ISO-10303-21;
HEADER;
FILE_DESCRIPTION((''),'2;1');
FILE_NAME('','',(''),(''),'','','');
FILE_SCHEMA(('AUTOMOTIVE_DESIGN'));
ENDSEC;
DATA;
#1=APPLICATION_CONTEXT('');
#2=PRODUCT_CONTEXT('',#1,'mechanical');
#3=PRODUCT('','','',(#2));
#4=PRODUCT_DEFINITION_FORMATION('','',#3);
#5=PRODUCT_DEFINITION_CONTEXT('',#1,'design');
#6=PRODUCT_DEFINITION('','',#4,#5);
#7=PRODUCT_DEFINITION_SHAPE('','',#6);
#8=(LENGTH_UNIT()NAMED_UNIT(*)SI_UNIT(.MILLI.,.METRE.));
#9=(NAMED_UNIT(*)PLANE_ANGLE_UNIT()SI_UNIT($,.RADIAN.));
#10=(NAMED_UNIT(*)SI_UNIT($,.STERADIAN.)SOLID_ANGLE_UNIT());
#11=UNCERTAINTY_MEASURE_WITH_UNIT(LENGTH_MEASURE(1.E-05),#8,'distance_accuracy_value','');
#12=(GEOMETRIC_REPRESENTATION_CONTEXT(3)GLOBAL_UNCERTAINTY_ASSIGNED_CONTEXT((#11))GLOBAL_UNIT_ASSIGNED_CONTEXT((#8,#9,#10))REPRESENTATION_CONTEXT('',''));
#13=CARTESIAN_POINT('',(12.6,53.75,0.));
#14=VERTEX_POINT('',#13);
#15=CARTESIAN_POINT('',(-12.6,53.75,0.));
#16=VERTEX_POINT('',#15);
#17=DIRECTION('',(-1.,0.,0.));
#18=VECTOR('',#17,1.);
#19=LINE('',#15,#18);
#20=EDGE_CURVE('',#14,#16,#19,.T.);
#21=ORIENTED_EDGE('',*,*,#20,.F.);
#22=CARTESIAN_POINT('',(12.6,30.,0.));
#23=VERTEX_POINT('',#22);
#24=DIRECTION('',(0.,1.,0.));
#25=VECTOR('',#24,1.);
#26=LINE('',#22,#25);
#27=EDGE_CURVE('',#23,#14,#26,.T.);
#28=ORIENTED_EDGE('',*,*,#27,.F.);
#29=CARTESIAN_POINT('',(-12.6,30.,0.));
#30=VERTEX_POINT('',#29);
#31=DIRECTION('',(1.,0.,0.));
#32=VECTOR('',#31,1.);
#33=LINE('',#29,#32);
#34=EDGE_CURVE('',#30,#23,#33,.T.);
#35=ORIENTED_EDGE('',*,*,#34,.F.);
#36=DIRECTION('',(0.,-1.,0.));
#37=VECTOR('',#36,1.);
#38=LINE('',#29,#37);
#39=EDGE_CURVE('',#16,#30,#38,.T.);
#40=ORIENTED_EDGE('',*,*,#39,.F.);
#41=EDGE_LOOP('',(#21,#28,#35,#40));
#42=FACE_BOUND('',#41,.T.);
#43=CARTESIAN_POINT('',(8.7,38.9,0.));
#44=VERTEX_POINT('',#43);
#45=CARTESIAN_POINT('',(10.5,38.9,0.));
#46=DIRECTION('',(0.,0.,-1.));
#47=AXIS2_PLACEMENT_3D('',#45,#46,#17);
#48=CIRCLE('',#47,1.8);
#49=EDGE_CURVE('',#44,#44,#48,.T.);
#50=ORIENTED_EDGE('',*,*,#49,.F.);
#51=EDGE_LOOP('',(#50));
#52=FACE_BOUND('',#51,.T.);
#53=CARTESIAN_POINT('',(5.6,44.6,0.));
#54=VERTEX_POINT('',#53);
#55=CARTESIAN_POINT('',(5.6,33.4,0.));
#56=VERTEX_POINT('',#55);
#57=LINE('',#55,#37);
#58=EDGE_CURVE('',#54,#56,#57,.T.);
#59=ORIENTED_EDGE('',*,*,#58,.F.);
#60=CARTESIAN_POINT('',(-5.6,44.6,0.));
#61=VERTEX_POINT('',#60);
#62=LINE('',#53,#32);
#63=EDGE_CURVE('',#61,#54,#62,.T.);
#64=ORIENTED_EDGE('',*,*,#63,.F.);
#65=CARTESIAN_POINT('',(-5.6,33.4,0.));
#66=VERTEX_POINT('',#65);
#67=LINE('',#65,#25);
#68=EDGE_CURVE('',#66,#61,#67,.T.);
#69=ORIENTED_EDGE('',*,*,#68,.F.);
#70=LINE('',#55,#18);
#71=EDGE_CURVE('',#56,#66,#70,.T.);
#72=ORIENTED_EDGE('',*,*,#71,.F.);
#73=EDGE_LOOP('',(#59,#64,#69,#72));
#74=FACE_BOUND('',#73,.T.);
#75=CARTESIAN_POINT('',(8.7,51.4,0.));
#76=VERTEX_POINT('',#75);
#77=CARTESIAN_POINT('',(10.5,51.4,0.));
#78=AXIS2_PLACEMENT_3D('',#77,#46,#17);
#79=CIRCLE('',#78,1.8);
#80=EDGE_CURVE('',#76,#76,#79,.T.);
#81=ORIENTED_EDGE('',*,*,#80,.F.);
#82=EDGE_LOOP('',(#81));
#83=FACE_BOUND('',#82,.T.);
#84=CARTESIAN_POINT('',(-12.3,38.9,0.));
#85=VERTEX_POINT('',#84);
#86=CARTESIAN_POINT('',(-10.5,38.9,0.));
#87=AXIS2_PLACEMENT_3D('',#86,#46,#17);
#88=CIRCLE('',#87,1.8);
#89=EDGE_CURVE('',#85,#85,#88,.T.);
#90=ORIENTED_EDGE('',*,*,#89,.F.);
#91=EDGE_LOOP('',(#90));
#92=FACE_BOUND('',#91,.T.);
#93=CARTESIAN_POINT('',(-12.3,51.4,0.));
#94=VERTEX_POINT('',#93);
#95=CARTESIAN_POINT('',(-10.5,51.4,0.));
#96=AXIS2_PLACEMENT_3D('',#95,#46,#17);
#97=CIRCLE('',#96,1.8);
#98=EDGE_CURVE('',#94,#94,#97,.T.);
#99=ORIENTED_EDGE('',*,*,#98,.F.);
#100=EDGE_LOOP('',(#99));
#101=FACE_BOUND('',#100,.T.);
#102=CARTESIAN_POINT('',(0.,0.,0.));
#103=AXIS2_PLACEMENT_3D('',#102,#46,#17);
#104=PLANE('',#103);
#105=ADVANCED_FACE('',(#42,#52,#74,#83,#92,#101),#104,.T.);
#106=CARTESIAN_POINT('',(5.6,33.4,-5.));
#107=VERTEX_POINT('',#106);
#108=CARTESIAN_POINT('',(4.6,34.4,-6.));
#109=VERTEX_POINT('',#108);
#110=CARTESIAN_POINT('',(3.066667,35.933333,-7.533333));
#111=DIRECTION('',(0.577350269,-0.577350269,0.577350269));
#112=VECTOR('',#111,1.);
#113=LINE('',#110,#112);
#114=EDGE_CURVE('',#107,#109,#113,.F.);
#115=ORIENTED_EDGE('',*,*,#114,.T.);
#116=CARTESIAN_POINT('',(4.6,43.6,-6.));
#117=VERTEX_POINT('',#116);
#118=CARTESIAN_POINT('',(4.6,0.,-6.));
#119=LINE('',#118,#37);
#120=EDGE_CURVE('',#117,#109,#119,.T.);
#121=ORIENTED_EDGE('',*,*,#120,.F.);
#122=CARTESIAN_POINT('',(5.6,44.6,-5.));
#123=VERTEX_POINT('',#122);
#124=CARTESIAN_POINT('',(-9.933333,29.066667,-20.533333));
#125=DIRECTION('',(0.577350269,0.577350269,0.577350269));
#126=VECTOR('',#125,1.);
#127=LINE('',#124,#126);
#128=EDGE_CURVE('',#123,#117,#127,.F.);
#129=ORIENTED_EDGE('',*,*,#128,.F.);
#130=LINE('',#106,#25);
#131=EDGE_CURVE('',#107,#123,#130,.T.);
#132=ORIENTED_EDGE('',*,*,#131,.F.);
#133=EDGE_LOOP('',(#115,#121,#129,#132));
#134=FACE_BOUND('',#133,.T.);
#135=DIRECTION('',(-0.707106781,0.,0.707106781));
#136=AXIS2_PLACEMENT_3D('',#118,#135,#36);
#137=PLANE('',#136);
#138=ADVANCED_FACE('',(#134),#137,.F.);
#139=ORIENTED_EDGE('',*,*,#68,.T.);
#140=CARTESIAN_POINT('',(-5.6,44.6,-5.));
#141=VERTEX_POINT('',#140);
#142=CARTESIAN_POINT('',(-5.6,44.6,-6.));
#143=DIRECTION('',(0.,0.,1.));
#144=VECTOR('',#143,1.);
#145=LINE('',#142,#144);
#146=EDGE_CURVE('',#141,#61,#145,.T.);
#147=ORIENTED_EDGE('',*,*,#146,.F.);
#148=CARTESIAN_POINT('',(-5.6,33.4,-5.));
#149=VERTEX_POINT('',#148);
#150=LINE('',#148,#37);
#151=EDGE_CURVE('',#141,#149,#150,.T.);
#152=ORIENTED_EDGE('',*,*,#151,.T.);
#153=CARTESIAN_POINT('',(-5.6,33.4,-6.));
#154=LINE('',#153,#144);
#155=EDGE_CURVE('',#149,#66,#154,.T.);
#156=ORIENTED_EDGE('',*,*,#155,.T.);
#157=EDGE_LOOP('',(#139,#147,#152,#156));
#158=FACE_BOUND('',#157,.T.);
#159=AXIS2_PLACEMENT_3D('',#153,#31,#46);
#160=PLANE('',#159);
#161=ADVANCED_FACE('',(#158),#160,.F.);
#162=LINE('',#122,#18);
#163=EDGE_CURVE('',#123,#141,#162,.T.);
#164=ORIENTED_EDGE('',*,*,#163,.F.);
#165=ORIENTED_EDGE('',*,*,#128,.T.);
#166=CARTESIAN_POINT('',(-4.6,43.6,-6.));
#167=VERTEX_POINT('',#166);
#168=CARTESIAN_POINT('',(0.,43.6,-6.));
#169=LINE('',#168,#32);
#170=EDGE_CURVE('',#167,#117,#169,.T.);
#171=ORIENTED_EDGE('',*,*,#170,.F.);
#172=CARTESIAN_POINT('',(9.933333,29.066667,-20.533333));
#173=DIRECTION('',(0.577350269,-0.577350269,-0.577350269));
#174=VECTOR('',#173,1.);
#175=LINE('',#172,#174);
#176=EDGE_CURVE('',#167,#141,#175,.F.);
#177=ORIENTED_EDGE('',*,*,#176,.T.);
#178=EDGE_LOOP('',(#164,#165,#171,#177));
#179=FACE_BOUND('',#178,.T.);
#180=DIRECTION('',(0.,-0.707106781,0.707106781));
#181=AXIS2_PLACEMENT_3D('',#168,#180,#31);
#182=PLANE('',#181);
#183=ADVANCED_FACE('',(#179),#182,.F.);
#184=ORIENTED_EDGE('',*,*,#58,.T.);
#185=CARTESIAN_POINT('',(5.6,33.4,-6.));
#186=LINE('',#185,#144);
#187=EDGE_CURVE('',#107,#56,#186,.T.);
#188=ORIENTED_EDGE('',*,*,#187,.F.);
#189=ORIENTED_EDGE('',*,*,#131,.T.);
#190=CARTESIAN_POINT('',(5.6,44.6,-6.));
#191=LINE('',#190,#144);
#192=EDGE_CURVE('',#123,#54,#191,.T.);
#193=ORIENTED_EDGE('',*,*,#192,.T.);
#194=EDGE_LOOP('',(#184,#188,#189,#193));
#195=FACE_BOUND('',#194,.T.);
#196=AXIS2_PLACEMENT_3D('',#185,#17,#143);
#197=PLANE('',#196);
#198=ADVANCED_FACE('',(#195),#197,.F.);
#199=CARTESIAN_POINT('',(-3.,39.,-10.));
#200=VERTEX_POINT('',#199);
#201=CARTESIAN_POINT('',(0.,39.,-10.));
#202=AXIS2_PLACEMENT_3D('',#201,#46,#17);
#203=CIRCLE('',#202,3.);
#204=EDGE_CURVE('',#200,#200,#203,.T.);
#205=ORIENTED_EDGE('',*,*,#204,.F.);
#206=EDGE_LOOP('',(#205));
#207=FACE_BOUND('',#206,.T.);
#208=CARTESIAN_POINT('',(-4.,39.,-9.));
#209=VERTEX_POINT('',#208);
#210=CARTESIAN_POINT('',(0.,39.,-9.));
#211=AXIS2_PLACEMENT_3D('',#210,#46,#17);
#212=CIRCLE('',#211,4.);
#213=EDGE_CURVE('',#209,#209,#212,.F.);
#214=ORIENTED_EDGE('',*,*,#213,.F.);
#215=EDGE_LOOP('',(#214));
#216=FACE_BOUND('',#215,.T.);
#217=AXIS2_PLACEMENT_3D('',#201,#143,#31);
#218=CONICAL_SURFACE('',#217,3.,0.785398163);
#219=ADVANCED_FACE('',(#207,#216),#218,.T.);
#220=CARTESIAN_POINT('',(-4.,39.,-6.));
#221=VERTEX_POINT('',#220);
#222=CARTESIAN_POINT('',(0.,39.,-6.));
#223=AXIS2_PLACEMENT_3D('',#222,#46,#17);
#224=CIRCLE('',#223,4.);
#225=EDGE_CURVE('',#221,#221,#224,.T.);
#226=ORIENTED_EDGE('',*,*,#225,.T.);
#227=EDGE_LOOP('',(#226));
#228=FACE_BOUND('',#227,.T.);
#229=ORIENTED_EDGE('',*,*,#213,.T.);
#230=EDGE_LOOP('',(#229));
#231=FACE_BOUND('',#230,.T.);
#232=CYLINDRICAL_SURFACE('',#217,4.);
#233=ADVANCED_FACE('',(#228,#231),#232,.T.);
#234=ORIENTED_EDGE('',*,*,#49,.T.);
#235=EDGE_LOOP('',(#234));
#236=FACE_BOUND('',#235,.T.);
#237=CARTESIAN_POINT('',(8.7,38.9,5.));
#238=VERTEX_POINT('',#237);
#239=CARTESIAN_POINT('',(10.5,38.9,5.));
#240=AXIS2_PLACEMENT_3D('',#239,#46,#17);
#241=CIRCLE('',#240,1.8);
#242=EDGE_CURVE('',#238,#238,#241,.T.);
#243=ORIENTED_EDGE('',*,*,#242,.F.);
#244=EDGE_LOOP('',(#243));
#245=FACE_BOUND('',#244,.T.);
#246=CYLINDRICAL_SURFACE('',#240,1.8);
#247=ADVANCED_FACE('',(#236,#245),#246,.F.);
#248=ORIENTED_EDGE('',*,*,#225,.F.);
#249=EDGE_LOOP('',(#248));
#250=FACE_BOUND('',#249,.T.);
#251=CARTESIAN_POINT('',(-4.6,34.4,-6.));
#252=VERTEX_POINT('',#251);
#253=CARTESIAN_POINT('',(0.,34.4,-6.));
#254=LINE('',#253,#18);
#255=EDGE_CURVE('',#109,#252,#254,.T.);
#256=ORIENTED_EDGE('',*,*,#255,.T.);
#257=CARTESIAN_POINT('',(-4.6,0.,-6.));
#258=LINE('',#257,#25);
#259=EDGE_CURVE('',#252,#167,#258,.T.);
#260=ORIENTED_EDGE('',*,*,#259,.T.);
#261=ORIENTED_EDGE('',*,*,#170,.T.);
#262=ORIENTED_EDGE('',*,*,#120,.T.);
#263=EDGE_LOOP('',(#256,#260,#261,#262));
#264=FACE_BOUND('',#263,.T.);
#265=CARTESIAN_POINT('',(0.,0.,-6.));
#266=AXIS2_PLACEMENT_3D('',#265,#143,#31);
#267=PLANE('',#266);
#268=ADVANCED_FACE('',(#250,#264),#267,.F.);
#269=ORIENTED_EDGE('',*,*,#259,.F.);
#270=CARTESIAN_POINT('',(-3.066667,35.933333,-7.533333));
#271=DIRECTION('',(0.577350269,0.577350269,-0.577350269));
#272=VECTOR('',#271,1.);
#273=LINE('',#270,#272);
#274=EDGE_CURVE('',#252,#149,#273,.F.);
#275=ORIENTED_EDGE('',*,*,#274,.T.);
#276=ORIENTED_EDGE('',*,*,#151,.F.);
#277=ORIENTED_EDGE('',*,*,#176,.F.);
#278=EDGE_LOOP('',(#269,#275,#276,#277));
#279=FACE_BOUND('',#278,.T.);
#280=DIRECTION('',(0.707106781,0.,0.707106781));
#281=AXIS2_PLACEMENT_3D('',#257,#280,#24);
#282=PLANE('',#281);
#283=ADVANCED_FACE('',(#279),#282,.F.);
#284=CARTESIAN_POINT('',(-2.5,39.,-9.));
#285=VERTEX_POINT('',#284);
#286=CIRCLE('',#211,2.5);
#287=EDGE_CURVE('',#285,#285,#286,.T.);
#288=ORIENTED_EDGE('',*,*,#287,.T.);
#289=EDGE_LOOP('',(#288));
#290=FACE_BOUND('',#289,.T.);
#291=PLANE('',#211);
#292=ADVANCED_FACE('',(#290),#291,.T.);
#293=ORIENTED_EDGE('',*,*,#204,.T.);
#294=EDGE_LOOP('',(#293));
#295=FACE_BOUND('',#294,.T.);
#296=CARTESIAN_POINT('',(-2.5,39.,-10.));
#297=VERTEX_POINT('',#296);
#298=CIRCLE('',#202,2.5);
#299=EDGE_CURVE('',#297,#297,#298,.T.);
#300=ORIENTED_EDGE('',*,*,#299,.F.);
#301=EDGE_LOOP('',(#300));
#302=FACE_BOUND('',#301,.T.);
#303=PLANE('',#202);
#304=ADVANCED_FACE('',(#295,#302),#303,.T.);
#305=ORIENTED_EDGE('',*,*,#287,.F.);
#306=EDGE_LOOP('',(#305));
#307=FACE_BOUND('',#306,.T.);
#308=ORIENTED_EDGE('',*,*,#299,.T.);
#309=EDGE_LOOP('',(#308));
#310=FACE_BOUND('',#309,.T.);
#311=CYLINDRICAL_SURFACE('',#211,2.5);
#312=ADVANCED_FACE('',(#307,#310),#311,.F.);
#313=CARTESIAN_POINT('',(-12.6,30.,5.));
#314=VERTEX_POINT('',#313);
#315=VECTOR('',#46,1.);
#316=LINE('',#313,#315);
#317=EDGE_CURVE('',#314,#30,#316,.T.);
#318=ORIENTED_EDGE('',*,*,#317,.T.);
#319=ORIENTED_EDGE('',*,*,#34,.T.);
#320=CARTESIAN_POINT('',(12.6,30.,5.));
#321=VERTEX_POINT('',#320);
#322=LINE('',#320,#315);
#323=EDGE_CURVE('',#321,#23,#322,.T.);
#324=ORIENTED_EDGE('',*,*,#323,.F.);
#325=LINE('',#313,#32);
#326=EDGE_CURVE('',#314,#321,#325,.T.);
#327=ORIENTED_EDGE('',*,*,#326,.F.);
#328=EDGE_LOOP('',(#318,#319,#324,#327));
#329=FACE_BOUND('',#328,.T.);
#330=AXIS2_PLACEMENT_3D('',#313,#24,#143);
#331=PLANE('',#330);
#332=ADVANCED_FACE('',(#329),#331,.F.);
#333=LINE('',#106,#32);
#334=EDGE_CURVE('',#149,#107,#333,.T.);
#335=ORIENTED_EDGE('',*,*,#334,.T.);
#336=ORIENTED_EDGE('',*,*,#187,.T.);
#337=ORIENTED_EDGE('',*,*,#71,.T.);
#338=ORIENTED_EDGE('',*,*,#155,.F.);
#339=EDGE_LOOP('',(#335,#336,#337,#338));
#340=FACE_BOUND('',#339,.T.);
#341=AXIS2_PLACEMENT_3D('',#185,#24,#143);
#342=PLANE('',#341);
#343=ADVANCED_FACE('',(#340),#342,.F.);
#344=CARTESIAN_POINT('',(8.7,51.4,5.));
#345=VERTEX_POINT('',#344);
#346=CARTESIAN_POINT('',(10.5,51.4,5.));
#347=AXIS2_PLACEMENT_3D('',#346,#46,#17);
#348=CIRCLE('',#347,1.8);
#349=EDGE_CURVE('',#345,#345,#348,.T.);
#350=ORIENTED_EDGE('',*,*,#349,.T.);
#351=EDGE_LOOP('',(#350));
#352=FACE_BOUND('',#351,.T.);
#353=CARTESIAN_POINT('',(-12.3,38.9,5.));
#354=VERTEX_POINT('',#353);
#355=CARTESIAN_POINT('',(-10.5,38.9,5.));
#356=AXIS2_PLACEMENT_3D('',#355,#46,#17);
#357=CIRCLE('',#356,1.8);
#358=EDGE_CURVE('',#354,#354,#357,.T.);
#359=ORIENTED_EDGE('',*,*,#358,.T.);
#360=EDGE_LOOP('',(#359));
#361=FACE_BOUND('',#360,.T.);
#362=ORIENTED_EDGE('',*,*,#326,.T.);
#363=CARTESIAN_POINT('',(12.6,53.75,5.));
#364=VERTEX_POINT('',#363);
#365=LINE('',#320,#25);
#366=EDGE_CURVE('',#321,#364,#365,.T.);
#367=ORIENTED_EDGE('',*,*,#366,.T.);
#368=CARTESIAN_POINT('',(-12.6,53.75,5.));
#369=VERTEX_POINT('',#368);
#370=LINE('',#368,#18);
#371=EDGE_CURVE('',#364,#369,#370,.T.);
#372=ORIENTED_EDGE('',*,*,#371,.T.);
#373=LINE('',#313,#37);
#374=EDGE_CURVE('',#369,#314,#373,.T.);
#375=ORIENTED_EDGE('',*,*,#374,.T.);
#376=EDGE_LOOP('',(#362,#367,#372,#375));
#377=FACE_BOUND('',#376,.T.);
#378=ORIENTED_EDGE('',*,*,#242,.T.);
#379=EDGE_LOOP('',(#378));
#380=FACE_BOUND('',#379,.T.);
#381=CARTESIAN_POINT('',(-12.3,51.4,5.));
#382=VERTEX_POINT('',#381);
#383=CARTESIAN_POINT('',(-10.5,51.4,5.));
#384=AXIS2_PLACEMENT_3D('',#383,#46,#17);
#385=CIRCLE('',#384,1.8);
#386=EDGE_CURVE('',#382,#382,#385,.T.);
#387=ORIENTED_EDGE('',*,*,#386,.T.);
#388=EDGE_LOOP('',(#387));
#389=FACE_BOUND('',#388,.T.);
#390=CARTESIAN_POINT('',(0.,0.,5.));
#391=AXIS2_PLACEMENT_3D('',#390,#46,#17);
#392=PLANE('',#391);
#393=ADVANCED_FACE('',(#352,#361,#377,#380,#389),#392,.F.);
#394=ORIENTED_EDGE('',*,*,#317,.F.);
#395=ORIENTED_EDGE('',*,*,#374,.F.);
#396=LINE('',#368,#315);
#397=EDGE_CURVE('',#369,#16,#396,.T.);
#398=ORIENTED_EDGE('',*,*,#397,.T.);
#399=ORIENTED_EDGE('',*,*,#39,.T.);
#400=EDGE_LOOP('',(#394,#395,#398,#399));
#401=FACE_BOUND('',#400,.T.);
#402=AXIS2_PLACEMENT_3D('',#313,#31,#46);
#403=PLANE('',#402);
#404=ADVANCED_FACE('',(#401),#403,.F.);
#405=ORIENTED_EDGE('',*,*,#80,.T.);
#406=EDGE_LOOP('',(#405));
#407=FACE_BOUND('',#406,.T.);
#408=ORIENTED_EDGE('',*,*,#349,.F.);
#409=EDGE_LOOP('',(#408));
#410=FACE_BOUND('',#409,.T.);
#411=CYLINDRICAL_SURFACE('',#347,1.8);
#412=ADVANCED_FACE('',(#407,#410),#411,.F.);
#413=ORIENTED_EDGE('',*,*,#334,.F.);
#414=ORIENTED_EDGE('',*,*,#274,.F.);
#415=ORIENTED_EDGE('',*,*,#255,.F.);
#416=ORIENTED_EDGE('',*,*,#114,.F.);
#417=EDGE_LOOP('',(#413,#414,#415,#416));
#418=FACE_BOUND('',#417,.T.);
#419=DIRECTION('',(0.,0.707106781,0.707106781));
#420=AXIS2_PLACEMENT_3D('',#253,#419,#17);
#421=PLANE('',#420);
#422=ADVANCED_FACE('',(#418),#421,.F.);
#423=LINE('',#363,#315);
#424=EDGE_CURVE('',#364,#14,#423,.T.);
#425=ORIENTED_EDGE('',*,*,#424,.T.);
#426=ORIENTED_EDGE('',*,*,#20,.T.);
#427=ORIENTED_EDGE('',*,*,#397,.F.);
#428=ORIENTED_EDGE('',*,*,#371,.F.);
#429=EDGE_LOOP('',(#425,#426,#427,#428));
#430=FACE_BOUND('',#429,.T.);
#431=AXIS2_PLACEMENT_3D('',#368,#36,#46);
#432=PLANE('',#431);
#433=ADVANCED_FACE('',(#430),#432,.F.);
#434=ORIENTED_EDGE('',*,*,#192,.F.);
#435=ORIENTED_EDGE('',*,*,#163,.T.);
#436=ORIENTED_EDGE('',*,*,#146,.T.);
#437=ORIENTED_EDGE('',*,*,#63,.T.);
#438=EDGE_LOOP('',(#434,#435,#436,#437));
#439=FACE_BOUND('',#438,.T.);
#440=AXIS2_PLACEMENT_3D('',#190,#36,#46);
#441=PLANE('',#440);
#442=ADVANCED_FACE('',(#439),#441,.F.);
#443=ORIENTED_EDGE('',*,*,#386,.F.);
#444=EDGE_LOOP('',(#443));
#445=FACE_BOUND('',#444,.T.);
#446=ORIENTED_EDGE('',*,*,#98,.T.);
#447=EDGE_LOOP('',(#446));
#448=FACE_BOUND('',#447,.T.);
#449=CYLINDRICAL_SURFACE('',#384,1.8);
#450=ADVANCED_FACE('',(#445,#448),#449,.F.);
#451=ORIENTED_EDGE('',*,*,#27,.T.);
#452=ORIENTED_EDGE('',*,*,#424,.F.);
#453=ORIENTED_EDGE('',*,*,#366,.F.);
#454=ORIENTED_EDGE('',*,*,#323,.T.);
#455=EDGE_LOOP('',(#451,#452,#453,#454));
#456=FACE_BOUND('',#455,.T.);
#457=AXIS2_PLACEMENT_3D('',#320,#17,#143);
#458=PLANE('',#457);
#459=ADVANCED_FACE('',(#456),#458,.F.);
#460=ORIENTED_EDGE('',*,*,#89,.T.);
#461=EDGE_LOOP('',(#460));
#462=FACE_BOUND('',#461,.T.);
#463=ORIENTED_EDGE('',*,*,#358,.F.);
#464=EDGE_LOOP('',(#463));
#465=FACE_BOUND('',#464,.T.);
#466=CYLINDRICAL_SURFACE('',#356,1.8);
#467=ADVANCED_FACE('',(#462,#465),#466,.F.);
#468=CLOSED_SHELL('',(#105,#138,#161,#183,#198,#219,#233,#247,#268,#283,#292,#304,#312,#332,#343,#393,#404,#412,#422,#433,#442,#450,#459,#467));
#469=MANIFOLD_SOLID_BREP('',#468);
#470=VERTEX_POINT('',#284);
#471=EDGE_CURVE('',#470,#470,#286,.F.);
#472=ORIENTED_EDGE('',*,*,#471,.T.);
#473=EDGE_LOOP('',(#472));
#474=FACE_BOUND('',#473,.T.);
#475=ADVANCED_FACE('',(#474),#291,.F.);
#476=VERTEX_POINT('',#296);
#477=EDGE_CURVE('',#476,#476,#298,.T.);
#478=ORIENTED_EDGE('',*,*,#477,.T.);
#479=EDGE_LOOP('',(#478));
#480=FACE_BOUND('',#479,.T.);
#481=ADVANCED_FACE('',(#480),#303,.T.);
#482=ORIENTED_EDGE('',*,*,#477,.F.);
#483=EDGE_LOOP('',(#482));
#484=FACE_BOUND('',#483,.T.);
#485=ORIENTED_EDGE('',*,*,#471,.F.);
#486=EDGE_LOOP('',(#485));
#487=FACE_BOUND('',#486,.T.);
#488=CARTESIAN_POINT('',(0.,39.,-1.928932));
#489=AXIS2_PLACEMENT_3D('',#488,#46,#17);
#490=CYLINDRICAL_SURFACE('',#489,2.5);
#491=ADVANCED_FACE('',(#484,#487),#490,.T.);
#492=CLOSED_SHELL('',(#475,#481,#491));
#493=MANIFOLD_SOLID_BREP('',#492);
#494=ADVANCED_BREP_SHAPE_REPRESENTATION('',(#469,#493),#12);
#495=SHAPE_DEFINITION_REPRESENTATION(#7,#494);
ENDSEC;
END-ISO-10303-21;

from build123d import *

# Parameters (mm, degrees)
SKETCH2_W           = 25.2
SKETCH2_H           = 23.75
BOSS_EXTRUDE1_DEPTH = 5
SKETCH3_R           = 1.8
CUT_EXTRUDE1_DEPTH  = 6
SKETCH4_W           = 11.2
SKETCH4_H           = 11.2
BOSS_EXTRUDE2_DEPTH = 6
SKETCH5_R           = 4
BOSS_EXTRUDE3_DEPTH = 4
SKETCH6_R           = 2.5
CUT_EXTRUDE2_DEPTH  = 1
SKETCH6_2_R         = 2.5
BOSS_EXTRUDE4_DEPTH = 1
CHAMFER1_SIZE       = 1


with BuildPart() as part:
    # Sketch2 → Boss-Extrude1 (new body)
    with BuildSketch(Plane.XY):
        with Locations((0, 41.875)):
            Rectangle(SKETCH2_W, SKETCH2_H)
    extrude(amount=BOSS_EXTRUDE1_DEPTH)

    # Sketch3 → Cut-Extrude1 (cut, through all)
    with BuildSketch(Plane(origin=(0, 0, 0), x_dir=(-1, 0, 0), z_dir=(0, 0, -1))):
        with Locations((-10.5, 51.4)):
            Circle(SKETCH3_R)
        with Locations((10.5, 51.4)):
            Circle(SKETCH3_R)
        with Locations((10.5, 38.9)):
            Circle(SKETCH3_R)
        with Locations((-10.5, 38.9)):
            Circle(SKETCH3_R)
    extrude(amount=-CUT_EXTRUDE1_DEPTH, mode=Mode.SUBTRACT)

    # Sketch4 → Boss-Extrude2 (add)
    with BuildSketch(Plane(origin=(0, 0, 0), x_dir=(-1, 0, 0), z_dir=(0, 0, -1))):
        with Locations((0, 39)):
            Rectangle(SKETCH4_W, SKETCH4_H)
    extrude(amount=BOSS_EXTRUDE2_DEPTH)

    # Sketch5 → Boss-Extrude3 (add)
    with BuildSketch(Plane(origin=(0, 0, -6), x_dir=(-1, 0, 0), z_dir=(0, 0, -1))):
        with Locations((0, 39)):
            Circle(SKETCH5_R)
    extrude(amount=BOSS_EXTRUDE3_DEPTH)

    # Sketch6 → Cut-Extrude2 (cut)
    with BuildSketch(Plane(origin=(0, 0, -10), x_dir=(-1, 0, 0), z_dir=(0, 0, -1))):
        with Locations((0, 39)):
            Circle(SKETCH6_R)
    extrude(amount=-CUT_EXTRUDE2_DEPTH, mode=Mode.SUBTRACT)

    # Chamfer1
    chamfer1_edges = [part.edges().sort_by_distance(p)[0] for p in [
        (-5.6, 39, -6),
        (0, 44.6, -6),
        (5.6, 39, -6),
        (0, 33.4, -6),
        (4, 39, -10),
    ]]
    chamfer(chamfer1_edges, length=CHAMFER1_SIZE)


with BuildPart() as body_2:
    # Sketch6<2> → Boss-Extrude4 (new body)
    with BuildSketch(Plane(origin=(0, 0, -10), x_dir=(-1, 0, 0), z_dir=(0, 0, -1))):
        with Locations((0, 39)):
            Circle(SKETCH6_2_R)
    extrude(amount=-BOSS_EXTRUDE4_DEPTH)


solid = Compound([part.part, body_2.part])
